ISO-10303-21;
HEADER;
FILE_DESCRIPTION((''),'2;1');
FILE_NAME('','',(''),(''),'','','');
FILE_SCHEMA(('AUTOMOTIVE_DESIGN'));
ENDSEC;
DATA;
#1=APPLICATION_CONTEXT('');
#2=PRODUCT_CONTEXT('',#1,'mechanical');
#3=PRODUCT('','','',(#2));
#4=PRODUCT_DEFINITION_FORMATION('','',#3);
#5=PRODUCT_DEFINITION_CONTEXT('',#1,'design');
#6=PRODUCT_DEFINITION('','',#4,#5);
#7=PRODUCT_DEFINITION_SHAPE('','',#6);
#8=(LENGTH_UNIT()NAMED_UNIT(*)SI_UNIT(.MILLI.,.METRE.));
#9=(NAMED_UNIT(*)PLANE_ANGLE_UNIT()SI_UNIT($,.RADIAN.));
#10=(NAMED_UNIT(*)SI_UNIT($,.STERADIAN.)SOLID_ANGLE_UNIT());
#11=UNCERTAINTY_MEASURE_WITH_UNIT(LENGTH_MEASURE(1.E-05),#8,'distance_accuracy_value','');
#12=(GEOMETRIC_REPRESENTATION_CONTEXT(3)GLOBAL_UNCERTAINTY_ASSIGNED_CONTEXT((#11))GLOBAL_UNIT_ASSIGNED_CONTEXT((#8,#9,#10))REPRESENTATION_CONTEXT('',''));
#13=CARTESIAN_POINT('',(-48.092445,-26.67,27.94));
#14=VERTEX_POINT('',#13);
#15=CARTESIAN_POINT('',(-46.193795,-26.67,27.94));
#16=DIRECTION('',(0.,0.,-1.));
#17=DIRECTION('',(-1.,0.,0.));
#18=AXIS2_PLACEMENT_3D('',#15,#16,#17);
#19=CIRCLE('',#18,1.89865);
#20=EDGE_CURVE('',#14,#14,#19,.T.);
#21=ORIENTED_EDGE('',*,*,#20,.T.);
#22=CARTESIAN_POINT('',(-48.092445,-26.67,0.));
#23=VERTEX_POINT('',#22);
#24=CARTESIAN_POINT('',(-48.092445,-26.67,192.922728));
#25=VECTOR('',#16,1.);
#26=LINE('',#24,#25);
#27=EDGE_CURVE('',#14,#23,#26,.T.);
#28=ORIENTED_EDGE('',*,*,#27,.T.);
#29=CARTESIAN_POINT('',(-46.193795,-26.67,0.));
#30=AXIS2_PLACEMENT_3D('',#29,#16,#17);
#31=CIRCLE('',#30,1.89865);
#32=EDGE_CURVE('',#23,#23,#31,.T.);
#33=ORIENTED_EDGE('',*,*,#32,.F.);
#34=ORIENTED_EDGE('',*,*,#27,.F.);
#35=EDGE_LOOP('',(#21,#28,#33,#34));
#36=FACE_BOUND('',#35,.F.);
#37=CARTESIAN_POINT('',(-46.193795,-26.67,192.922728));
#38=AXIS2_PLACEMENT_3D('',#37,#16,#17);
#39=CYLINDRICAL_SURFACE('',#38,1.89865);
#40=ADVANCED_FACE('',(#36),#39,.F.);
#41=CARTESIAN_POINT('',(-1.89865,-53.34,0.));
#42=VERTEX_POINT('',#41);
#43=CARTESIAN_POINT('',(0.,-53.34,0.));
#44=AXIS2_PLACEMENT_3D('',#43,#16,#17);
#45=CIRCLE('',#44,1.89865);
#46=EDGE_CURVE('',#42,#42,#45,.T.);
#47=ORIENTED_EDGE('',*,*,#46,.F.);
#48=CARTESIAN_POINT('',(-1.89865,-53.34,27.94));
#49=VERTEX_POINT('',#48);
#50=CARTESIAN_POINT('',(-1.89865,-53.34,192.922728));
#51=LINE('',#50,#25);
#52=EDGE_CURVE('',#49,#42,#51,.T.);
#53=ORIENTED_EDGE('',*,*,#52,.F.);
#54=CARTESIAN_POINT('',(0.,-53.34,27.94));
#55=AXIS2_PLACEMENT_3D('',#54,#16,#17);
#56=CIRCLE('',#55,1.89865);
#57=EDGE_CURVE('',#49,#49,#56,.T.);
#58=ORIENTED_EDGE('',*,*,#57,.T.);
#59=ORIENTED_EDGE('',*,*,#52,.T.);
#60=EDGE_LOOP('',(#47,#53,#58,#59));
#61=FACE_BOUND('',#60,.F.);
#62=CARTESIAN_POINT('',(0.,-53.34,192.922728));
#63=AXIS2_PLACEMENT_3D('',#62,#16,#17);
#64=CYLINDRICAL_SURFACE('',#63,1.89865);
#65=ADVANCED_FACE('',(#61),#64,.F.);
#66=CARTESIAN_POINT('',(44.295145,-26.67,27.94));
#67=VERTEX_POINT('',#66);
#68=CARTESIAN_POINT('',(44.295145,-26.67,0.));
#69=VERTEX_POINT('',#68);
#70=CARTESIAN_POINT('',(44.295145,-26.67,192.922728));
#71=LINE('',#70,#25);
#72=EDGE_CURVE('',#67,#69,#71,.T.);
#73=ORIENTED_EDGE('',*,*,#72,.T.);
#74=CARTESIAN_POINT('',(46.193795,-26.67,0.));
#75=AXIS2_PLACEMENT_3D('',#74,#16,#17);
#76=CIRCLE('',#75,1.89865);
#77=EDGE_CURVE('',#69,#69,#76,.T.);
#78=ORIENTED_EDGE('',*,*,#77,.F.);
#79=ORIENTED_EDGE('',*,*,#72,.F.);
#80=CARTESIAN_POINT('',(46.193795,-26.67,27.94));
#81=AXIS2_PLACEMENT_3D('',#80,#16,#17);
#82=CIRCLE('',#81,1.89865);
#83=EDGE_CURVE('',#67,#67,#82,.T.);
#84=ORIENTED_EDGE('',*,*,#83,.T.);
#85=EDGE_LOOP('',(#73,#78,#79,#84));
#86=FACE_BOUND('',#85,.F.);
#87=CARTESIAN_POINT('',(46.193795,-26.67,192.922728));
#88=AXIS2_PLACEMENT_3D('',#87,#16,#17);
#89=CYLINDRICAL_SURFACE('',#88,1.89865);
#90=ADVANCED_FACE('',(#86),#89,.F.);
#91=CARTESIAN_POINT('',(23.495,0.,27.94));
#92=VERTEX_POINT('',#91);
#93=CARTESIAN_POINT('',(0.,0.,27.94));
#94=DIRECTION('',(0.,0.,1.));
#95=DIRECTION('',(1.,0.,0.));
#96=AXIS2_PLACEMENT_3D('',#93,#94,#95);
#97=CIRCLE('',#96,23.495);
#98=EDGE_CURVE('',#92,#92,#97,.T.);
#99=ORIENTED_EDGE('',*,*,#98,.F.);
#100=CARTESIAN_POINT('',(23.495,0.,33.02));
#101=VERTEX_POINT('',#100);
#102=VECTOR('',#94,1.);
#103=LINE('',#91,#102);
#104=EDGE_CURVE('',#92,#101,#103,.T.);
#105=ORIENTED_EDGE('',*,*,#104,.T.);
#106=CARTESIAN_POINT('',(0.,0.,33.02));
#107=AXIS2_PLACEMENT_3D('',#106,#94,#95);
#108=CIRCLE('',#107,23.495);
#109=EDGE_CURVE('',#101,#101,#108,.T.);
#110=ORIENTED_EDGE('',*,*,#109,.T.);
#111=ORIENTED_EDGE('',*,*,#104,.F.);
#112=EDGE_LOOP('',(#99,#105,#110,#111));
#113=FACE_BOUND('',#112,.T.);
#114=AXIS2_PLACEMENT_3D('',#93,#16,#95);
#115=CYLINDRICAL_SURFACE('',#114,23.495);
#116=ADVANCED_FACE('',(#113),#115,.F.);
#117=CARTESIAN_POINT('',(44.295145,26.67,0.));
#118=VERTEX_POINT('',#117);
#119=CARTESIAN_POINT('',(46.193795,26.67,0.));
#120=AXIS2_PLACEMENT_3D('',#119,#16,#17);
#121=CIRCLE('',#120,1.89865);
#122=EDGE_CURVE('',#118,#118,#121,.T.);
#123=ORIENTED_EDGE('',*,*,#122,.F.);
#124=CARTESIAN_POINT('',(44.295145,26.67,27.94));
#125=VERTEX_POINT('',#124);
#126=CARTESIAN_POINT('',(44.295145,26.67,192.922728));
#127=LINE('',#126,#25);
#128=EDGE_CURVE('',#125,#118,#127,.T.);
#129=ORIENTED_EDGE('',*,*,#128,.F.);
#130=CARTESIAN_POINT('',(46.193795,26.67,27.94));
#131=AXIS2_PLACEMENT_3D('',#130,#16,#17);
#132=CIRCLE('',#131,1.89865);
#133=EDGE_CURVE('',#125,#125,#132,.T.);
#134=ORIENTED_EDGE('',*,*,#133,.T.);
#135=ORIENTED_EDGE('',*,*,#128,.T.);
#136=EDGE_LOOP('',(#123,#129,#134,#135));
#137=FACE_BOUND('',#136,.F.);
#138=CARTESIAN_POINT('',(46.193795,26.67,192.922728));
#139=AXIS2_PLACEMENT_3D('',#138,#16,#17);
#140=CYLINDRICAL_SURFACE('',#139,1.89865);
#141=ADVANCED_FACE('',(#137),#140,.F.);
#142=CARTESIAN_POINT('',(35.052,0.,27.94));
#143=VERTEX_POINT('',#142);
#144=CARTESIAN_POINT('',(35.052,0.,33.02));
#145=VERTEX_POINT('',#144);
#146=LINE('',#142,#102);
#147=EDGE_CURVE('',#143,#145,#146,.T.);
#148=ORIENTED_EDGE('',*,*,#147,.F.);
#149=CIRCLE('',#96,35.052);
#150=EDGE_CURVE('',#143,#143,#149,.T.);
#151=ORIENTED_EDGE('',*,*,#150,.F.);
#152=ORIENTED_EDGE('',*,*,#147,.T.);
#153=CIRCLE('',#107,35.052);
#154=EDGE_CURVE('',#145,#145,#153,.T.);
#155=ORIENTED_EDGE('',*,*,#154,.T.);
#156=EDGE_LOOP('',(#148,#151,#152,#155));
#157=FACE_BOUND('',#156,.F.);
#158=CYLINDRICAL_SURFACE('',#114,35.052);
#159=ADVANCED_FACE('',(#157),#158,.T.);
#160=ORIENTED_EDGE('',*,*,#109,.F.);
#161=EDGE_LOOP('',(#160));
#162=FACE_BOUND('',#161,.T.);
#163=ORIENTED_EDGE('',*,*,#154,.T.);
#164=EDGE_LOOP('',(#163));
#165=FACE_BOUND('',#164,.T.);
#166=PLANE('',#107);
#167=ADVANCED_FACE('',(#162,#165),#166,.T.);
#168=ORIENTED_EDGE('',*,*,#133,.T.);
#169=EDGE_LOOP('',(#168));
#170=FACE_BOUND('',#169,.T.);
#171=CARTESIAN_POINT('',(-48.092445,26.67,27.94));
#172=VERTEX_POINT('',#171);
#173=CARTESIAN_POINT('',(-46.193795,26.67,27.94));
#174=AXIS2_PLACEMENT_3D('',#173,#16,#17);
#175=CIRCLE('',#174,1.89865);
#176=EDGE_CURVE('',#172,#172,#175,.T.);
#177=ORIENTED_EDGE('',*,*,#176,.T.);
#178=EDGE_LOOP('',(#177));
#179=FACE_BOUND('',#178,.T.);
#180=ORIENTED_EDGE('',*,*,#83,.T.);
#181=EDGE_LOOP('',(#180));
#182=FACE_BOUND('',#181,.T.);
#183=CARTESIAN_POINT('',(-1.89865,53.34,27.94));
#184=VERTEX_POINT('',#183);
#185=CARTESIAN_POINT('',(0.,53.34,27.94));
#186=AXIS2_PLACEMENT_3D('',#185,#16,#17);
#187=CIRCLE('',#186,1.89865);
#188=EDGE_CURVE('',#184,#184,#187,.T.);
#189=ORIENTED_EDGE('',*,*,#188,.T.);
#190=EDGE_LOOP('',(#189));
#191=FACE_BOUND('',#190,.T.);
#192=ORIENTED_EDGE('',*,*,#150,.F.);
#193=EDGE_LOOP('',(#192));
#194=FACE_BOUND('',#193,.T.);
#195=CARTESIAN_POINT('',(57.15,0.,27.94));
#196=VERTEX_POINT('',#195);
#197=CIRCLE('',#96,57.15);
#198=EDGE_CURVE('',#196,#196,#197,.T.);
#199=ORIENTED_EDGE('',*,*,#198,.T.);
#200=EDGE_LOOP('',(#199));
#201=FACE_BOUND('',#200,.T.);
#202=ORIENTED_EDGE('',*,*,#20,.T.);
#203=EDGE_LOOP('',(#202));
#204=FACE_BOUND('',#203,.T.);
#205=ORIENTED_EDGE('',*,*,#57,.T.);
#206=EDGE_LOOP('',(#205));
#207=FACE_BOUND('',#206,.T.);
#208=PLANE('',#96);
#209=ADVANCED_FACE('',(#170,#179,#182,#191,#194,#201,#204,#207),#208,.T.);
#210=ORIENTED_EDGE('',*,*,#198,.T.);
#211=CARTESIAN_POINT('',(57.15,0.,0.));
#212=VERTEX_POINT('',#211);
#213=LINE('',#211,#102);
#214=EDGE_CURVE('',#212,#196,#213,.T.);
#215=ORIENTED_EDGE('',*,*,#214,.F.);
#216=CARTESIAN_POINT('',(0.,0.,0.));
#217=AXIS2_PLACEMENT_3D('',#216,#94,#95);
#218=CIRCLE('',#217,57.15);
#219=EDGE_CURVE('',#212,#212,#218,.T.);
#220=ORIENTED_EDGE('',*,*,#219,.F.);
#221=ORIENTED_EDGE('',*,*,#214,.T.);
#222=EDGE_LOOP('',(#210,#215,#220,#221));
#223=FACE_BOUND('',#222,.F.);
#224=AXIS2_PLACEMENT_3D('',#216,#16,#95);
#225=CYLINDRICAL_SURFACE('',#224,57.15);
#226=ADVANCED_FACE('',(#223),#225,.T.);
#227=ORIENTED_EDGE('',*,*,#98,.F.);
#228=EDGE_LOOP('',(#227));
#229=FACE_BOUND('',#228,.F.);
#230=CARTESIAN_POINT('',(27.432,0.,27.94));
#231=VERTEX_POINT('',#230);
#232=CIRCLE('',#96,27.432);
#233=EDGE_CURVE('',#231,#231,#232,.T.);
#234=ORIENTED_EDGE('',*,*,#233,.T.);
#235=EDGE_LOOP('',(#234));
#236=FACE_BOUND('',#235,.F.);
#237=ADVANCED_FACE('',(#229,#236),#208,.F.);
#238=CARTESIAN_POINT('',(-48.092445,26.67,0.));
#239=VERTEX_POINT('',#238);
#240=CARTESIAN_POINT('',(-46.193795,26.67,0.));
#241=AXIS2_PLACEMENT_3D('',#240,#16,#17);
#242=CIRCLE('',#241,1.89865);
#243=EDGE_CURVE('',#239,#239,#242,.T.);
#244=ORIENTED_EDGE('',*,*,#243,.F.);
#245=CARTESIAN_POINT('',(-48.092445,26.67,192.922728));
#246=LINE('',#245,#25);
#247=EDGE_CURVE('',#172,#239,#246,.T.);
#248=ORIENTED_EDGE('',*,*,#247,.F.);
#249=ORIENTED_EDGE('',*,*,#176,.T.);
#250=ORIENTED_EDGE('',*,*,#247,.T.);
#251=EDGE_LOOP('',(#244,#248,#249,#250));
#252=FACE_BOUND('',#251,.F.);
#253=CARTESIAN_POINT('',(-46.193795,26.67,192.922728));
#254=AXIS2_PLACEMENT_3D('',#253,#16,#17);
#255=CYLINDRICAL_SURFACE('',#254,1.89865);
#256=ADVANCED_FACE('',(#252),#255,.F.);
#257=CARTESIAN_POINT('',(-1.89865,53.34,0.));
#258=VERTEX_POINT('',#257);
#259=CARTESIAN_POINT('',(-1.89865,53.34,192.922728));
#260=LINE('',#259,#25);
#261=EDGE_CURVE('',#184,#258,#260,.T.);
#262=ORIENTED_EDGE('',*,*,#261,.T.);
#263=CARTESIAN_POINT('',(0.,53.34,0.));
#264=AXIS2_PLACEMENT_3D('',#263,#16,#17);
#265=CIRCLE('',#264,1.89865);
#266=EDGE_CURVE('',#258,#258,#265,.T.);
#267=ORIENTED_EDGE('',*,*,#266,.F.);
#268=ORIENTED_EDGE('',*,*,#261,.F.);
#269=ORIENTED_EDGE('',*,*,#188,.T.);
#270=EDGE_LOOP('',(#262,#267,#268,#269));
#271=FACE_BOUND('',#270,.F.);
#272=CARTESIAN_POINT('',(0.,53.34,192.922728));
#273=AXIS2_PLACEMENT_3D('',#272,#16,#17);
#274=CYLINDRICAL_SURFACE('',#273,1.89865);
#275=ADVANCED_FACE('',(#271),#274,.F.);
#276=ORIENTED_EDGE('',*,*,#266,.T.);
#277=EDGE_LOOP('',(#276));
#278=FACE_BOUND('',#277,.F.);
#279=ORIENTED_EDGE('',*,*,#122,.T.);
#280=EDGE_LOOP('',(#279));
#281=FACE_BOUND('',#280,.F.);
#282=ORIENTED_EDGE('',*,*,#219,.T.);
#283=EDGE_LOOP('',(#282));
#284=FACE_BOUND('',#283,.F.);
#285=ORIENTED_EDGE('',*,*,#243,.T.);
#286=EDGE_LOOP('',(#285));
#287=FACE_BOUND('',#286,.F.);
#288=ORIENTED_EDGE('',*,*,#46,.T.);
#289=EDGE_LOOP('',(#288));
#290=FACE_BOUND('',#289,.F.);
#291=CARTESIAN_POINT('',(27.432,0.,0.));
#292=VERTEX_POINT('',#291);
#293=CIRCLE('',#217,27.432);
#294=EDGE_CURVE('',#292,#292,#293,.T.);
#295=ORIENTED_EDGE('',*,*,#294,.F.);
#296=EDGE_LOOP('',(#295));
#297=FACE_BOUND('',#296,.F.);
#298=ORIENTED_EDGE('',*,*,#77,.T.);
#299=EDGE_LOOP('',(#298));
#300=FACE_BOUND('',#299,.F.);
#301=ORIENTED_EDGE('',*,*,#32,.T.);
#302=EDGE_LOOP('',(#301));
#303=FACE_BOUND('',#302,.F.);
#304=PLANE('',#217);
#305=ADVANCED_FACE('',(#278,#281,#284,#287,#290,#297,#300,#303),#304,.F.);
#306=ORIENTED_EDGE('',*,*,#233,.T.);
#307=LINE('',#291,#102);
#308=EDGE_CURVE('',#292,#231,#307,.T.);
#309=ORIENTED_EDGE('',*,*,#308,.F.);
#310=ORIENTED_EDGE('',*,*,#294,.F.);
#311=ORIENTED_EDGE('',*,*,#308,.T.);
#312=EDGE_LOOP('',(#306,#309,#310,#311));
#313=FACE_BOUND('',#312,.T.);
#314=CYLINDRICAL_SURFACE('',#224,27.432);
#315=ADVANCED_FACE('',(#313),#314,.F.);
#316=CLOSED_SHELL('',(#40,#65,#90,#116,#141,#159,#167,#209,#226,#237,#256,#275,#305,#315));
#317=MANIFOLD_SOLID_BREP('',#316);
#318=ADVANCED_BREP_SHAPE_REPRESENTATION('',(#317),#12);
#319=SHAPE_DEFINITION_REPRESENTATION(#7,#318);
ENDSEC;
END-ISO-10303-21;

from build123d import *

# Parameters (mm, degrees)
F0_R     = 57.15
F0_R_2   = 27.432
F1_DEPTH = 27.94
F2_R     = 35.052
F2_R_2   = 23.495
F3_DEPTH = 5.08
F5_D     = 3.7973


with BuildPart() as f1:
    # F0 (on Top) → F1 (new body)
    with BuildSketch(Plane.XY):
        Circle(F0_R)
        Circle(F0_R_2, mode=Mode.SUBTRACT)
    extrude(amount=F1_DEPTH)

    # F2 (on face) → F3 (join)
    with BuildSketch(Plane.XY.offset(27.94)):
        Circle(F2_R)
        Circle(F2_R_2, mode=Mode.SUBTRACT)
    extrude(amount=F3_DEPTH)

    # F5 (through all)
    with Locations(Plane.XY.offset(27.94)):
        with Locations((0, -53.34), (46.1937950379, -26.67), (46.1937950379, 26.67), (0, 53.34), (-46.1937950379, 26.67), (-46.1937950379, -26.67)):
            Hole(F5_D / 2)


solid = f1.part
